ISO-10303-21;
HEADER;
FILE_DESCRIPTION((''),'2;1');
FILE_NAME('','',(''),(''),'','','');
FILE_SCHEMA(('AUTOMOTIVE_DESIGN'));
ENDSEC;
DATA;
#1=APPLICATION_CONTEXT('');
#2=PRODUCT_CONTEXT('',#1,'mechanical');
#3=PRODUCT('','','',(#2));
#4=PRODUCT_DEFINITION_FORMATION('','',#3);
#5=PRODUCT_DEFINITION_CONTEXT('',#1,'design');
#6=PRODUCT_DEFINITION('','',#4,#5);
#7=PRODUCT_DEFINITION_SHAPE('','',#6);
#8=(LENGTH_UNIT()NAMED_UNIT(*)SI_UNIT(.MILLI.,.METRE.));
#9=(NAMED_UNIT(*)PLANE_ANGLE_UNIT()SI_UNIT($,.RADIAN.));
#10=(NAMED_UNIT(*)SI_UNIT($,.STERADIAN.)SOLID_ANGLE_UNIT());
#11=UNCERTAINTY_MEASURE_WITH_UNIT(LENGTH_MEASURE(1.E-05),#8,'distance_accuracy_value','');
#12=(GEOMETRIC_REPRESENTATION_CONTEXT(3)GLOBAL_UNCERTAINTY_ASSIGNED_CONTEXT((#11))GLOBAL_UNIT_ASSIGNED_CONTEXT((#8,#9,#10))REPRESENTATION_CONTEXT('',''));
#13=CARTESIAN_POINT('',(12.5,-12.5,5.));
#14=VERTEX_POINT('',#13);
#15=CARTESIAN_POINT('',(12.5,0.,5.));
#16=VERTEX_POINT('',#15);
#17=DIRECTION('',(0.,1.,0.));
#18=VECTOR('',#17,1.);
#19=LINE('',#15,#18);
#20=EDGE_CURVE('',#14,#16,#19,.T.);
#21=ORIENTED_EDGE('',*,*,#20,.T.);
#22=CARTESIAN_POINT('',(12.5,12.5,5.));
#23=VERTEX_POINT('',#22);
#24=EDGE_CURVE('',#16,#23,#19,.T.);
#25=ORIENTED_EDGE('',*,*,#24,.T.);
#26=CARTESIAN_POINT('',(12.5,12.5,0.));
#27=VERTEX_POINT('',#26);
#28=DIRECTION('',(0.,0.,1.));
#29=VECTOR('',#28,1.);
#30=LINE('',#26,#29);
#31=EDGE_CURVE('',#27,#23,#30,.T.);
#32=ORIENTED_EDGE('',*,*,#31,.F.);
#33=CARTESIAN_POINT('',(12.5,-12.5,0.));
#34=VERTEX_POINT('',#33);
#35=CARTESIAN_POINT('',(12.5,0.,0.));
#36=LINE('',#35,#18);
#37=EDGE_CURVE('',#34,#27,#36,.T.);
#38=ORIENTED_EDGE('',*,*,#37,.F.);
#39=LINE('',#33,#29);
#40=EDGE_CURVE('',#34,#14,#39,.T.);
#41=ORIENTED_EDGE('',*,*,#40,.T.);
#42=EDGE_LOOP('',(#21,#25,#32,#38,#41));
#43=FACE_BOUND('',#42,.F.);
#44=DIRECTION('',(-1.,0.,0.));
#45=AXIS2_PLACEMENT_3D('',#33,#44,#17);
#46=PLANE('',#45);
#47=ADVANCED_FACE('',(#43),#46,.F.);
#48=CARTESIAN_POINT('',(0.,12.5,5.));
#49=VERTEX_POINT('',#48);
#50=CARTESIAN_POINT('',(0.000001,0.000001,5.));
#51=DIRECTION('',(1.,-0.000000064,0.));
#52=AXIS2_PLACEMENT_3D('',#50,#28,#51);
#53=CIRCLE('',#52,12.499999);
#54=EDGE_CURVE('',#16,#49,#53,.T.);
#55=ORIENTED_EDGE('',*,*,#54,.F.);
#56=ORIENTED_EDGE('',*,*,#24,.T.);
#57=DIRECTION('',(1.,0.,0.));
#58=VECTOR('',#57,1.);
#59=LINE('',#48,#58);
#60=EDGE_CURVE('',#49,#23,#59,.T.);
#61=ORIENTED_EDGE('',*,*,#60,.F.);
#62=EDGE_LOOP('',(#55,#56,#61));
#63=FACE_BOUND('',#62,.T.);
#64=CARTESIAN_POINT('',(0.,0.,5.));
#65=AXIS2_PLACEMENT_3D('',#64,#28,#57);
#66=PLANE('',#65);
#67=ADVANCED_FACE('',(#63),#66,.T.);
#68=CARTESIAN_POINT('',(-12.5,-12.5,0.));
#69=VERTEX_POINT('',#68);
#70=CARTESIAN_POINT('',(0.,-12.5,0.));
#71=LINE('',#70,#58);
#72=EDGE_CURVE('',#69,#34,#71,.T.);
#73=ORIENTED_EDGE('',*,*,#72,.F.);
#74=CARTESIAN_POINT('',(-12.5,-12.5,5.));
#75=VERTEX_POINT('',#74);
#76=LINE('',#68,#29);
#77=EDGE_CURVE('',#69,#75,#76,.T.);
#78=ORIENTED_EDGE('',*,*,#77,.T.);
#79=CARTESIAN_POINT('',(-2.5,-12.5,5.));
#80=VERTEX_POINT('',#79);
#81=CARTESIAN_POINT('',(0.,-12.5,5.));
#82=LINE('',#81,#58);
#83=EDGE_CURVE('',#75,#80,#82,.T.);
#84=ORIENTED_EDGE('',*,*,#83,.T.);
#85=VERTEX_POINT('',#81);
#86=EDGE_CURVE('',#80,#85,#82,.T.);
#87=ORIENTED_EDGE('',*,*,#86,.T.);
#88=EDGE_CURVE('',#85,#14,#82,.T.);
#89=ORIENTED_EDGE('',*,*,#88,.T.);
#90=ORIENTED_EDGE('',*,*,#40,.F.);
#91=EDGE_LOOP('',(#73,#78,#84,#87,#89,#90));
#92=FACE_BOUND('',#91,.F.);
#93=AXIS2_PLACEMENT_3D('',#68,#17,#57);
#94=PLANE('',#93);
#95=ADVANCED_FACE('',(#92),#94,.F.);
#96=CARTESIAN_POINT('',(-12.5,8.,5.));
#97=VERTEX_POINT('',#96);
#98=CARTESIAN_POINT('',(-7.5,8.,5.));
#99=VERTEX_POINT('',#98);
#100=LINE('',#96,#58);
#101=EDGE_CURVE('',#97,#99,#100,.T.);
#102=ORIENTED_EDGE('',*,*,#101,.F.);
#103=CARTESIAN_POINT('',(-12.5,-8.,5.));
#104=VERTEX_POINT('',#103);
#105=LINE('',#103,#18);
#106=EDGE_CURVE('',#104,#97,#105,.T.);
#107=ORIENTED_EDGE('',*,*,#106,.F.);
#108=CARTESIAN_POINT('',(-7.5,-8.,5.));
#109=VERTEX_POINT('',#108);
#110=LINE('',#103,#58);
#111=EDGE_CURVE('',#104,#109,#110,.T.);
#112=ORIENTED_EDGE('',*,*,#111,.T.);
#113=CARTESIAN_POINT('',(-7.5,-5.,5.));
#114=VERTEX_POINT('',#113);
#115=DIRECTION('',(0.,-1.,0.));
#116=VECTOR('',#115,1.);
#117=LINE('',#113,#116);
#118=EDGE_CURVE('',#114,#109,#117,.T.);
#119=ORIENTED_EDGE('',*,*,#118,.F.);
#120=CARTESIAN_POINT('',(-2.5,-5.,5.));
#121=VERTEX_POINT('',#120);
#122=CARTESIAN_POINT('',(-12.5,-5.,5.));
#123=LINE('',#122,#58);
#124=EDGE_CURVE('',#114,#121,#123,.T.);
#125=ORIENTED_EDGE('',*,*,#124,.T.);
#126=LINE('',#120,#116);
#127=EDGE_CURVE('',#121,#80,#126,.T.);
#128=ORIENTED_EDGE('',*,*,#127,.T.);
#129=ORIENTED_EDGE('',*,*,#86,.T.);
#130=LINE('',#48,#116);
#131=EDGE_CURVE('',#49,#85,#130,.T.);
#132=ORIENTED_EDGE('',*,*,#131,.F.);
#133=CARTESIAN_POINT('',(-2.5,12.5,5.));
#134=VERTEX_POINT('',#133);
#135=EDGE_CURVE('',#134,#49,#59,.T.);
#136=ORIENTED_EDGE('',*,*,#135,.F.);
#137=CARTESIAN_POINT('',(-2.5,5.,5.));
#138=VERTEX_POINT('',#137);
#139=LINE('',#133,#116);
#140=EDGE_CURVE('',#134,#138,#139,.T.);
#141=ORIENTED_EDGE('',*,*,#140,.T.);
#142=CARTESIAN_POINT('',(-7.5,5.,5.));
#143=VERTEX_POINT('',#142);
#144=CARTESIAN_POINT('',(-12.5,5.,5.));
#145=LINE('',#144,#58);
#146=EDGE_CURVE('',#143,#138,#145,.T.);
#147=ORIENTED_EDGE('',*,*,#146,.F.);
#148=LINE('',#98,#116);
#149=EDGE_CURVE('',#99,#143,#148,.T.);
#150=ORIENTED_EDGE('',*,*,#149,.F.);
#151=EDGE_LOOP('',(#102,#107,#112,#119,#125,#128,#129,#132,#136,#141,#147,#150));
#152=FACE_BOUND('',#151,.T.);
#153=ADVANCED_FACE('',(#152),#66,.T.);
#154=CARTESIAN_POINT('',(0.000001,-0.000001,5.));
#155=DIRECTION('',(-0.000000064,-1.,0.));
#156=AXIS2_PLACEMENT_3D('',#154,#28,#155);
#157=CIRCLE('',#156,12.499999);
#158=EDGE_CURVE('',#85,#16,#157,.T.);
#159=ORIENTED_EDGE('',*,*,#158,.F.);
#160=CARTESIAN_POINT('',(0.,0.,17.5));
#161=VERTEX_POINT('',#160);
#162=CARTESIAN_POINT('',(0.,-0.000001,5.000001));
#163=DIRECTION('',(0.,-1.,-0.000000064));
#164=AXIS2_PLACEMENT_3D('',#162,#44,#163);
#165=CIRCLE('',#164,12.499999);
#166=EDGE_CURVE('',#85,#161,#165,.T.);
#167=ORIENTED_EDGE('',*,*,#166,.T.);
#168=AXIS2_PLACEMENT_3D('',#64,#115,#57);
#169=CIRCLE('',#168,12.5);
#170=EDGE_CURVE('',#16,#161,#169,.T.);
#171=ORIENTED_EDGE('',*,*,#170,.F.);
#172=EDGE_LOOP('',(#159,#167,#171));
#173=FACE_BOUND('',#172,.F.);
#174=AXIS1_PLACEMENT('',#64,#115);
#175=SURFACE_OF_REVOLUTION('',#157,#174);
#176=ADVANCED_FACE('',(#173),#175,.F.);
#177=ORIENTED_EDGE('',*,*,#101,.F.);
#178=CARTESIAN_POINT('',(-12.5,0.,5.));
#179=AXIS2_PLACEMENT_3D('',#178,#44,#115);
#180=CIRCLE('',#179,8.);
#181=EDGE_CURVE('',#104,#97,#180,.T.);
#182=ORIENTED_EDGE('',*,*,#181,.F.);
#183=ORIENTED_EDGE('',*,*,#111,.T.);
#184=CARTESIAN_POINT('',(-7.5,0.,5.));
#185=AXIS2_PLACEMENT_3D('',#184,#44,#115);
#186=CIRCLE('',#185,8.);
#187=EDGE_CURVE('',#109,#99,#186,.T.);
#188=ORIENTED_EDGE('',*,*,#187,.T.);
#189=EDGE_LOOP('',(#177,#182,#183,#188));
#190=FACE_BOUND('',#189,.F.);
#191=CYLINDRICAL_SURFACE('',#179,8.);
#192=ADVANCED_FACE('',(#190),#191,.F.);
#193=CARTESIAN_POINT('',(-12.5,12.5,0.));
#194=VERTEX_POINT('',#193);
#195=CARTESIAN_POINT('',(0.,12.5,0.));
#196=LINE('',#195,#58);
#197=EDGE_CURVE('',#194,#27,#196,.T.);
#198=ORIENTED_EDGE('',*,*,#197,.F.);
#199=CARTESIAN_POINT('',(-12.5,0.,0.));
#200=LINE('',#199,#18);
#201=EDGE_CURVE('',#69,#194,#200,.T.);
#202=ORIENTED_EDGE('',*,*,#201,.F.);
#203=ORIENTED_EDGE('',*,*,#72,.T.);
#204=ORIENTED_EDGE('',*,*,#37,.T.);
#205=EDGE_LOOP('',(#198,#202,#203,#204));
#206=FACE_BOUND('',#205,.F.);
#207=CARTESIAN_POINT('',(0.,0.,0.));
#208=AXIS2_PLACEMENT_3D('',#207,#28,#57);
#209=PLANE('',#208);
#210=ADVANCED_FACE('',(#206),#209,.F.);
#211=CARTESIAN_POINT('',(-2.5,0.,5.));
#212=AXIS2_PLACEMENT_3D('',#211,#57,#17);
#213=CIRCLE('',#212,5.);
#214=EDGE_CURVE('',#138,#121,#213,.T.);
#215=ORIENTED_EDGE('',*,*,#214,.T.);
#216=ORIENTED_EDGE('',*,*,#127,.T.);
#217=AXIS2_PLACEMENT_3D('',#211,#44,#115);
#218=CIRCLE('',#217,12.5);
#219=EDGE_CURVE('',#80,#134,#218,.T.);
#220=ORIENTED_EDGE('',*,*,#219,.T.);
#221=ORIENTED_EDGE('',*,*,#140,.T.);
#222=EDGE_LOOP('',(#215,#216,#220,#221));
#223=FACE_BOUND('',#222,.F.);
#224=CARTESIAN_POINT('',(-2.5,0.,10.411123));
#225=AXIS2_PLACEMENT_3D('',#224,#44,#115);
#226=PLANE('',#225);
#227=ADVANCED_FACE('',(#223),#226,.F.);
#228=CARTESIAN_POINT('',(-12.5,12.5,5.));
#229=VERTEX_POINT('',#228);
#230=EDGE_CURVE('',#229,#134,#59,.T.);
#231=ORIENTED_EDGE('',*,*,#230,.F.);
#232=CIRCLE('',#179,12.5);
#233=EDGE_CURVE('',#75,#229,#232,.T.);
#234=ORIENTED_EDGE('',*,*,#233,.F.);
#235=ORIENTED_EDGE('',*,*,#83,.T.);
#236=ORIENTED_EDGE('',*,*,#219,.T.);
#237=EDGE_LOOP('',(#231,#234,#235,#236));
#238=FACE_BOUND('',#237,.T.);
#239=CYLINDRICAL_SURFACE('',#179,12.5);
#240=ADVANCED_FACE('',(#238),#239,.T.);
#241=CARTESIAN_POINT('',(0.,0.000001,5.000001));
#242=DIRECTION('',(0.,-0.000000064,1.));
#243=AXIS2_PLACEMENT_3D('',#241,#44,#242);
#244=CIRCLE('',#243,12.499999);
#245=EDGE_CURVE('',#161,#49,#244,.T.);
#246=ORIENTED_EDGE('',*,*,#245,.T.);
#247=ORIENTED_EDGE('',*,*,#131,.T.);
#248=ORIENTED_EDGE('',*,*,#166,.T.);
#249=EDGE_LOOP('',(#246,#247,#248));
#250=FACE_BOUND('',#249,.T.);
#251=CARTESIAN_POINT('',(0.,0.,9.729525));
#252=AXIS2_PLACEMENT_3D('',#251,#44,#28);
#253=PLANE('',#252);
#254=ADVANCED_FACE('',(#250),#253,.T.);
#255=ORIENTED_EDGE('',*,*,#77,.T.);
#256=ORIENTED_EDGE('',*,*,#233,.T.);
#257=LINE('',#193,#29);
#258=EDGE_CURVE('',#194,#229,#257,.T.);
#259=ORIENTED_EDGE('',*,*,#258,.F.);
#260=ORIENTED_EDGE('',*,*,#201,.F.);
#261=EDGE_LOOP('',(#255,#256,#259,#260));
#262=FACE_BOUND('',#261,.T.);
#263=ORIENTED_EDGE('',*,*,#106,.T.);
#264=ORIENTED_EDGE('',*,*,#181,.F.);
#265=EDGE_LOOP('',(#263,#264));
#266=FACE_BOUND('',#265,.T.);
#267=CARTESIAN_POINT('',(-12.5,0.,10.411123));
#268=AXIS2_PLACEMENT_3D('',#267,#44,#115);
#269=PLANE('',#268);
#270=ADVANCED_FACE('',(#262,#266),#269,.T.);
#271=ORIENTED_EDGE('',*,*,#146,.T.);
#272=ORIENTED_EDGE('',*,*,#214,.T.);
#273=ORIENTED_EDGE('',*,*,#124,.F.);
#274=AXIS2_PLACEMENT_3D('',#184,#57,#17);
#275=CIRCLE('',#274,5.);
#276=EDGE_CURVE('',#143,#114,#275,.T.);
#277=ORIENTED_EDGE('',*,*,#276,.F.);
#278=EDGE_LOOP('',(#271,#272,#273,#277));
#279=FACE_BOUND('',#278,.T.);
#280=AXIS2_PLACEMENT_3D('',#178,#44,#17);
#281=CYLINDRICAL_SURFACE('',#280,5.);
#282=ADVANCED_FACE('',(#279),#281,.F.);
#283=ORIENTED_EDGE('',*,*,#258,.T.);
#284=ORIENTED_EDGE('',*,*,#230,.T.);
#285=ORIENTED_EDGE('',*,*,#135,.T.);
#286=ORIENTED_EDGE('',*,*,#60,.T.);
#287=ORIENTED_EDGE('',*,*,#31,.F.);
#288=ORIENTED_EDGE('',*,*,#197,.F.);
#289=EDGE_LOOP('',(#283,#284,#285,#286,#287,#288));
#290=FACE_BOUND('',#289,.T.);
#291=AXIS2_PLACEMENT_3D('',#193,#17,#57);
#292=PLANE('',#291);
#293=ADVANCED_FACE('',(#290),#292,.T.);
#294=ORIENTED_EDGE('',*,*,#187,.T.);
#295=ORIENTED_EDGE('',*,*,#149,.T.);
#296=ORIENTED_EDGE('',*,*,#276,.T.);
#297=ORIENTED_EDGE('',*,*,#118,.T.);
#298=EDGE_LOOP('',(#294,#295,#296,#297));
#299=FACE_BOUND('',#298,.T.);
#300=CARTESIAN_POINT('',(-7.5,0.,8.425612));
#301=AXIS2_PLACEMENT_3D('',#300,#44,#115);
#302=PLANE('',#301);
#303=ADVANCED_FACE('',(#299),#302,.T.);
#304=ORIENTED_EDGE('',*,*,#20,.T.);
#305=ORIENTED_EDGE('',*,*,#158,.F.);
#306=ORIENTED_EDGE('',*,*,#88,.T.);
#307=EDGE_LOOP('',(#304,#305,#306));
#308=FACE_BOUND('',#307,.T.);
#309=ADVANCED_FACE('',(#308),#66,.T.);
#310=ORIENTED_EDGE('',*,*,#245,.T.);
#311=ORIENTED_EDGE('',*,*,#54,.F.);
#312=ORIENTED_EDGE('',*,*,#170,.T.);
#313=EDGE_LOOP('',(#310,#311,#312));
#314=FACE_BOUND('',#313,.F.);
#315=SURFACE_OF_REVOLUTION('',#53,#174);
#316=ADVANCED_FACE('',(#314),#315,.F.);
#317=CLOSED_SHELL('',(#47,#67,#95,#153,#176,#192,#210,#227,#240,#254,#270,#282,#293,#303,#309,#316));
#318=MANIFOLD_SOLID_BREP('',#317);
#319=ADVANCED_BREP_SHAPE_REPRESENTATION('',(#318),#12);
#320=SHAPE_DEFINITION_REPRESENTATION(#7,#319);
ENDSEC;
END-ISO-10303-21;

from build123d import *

# Parameters (mm, degrees)
F0_W     = 25
F0_H     = 25
F1_DEPTH = 5
F3_ANGLE = 90
F5_DEPTH = 10
F6_DEPTH = 5


with BuildPart() as f1:
    # F0 (on Top) → F1 (new body)
    with BuildSketch(Plane.XY):
        Rectangle(F0_W, F0_H)
    extrude(amount=F1_DEPTH)

    # F2 (on face) → F3 (revolve)
    with BuildSketch(Plane.XY.offset(5)):
        with BuildLine():
            ThreePointArc((12.5, 0), (8.838835, 8.838835), (0, 12.5))
            Line((0, 12.5), (0, -12.5))
            ThreePointArc((0, -12.5), (8.838835, -8.838835), (12.5, 0))
        make_face()
    revolve(axis=Axis((0, 0, 5), (0, -1, 0)), revolution_arc=F3_ANGLE)

    # F4 (on face) → F5 (join)
    with BuildSketch(Plane(origin=(-12.5, 0, 0), x_dir=(0, -1, 0), z_dir=(-1, 0, 0))):
        with BuildLine():
            Line((8, 5), (12.5, 5))
            ThreePointArc((12.5, 5), (0, 17.5), (-12.5, 5))
            Line((-12.5, 5), (-8, 5))
            ThreePointArc((-8, 5), (0, 13), (8, 5))
        make_face()
        with BuildLine():
            Line((5, 5), (8, 5))
            ThreePointArc((8, 5), (0, 13), (-8, 5))
            Line((-8, 5), (-5, 5))
            ThreePointArc((-5, 5), (0, 10), (5, 5))
        make_face()
    extrude(amount=-F5_DEPTH)

    # F4 (on face) → F6 (cut)
    with BuildSketch(Plane(origin=(-12.5, 0, 0), x_dir=(0, -1, 0), z_dir=(-1, 0, 0))):
        with BuildLine():
            Line((5, 5), (8, 5))
            ThreePointArc((8, 5), (0, 13), (-8, 5))
            Line((-8, 5), (-5, 5))
            ThreePointArc((-5, 5), (0, 10), (5, 5))
        make_face()
    extrude(amount=-F6_DEPTH, mode=Mode.SUBTRACT)


solid = f1.part
